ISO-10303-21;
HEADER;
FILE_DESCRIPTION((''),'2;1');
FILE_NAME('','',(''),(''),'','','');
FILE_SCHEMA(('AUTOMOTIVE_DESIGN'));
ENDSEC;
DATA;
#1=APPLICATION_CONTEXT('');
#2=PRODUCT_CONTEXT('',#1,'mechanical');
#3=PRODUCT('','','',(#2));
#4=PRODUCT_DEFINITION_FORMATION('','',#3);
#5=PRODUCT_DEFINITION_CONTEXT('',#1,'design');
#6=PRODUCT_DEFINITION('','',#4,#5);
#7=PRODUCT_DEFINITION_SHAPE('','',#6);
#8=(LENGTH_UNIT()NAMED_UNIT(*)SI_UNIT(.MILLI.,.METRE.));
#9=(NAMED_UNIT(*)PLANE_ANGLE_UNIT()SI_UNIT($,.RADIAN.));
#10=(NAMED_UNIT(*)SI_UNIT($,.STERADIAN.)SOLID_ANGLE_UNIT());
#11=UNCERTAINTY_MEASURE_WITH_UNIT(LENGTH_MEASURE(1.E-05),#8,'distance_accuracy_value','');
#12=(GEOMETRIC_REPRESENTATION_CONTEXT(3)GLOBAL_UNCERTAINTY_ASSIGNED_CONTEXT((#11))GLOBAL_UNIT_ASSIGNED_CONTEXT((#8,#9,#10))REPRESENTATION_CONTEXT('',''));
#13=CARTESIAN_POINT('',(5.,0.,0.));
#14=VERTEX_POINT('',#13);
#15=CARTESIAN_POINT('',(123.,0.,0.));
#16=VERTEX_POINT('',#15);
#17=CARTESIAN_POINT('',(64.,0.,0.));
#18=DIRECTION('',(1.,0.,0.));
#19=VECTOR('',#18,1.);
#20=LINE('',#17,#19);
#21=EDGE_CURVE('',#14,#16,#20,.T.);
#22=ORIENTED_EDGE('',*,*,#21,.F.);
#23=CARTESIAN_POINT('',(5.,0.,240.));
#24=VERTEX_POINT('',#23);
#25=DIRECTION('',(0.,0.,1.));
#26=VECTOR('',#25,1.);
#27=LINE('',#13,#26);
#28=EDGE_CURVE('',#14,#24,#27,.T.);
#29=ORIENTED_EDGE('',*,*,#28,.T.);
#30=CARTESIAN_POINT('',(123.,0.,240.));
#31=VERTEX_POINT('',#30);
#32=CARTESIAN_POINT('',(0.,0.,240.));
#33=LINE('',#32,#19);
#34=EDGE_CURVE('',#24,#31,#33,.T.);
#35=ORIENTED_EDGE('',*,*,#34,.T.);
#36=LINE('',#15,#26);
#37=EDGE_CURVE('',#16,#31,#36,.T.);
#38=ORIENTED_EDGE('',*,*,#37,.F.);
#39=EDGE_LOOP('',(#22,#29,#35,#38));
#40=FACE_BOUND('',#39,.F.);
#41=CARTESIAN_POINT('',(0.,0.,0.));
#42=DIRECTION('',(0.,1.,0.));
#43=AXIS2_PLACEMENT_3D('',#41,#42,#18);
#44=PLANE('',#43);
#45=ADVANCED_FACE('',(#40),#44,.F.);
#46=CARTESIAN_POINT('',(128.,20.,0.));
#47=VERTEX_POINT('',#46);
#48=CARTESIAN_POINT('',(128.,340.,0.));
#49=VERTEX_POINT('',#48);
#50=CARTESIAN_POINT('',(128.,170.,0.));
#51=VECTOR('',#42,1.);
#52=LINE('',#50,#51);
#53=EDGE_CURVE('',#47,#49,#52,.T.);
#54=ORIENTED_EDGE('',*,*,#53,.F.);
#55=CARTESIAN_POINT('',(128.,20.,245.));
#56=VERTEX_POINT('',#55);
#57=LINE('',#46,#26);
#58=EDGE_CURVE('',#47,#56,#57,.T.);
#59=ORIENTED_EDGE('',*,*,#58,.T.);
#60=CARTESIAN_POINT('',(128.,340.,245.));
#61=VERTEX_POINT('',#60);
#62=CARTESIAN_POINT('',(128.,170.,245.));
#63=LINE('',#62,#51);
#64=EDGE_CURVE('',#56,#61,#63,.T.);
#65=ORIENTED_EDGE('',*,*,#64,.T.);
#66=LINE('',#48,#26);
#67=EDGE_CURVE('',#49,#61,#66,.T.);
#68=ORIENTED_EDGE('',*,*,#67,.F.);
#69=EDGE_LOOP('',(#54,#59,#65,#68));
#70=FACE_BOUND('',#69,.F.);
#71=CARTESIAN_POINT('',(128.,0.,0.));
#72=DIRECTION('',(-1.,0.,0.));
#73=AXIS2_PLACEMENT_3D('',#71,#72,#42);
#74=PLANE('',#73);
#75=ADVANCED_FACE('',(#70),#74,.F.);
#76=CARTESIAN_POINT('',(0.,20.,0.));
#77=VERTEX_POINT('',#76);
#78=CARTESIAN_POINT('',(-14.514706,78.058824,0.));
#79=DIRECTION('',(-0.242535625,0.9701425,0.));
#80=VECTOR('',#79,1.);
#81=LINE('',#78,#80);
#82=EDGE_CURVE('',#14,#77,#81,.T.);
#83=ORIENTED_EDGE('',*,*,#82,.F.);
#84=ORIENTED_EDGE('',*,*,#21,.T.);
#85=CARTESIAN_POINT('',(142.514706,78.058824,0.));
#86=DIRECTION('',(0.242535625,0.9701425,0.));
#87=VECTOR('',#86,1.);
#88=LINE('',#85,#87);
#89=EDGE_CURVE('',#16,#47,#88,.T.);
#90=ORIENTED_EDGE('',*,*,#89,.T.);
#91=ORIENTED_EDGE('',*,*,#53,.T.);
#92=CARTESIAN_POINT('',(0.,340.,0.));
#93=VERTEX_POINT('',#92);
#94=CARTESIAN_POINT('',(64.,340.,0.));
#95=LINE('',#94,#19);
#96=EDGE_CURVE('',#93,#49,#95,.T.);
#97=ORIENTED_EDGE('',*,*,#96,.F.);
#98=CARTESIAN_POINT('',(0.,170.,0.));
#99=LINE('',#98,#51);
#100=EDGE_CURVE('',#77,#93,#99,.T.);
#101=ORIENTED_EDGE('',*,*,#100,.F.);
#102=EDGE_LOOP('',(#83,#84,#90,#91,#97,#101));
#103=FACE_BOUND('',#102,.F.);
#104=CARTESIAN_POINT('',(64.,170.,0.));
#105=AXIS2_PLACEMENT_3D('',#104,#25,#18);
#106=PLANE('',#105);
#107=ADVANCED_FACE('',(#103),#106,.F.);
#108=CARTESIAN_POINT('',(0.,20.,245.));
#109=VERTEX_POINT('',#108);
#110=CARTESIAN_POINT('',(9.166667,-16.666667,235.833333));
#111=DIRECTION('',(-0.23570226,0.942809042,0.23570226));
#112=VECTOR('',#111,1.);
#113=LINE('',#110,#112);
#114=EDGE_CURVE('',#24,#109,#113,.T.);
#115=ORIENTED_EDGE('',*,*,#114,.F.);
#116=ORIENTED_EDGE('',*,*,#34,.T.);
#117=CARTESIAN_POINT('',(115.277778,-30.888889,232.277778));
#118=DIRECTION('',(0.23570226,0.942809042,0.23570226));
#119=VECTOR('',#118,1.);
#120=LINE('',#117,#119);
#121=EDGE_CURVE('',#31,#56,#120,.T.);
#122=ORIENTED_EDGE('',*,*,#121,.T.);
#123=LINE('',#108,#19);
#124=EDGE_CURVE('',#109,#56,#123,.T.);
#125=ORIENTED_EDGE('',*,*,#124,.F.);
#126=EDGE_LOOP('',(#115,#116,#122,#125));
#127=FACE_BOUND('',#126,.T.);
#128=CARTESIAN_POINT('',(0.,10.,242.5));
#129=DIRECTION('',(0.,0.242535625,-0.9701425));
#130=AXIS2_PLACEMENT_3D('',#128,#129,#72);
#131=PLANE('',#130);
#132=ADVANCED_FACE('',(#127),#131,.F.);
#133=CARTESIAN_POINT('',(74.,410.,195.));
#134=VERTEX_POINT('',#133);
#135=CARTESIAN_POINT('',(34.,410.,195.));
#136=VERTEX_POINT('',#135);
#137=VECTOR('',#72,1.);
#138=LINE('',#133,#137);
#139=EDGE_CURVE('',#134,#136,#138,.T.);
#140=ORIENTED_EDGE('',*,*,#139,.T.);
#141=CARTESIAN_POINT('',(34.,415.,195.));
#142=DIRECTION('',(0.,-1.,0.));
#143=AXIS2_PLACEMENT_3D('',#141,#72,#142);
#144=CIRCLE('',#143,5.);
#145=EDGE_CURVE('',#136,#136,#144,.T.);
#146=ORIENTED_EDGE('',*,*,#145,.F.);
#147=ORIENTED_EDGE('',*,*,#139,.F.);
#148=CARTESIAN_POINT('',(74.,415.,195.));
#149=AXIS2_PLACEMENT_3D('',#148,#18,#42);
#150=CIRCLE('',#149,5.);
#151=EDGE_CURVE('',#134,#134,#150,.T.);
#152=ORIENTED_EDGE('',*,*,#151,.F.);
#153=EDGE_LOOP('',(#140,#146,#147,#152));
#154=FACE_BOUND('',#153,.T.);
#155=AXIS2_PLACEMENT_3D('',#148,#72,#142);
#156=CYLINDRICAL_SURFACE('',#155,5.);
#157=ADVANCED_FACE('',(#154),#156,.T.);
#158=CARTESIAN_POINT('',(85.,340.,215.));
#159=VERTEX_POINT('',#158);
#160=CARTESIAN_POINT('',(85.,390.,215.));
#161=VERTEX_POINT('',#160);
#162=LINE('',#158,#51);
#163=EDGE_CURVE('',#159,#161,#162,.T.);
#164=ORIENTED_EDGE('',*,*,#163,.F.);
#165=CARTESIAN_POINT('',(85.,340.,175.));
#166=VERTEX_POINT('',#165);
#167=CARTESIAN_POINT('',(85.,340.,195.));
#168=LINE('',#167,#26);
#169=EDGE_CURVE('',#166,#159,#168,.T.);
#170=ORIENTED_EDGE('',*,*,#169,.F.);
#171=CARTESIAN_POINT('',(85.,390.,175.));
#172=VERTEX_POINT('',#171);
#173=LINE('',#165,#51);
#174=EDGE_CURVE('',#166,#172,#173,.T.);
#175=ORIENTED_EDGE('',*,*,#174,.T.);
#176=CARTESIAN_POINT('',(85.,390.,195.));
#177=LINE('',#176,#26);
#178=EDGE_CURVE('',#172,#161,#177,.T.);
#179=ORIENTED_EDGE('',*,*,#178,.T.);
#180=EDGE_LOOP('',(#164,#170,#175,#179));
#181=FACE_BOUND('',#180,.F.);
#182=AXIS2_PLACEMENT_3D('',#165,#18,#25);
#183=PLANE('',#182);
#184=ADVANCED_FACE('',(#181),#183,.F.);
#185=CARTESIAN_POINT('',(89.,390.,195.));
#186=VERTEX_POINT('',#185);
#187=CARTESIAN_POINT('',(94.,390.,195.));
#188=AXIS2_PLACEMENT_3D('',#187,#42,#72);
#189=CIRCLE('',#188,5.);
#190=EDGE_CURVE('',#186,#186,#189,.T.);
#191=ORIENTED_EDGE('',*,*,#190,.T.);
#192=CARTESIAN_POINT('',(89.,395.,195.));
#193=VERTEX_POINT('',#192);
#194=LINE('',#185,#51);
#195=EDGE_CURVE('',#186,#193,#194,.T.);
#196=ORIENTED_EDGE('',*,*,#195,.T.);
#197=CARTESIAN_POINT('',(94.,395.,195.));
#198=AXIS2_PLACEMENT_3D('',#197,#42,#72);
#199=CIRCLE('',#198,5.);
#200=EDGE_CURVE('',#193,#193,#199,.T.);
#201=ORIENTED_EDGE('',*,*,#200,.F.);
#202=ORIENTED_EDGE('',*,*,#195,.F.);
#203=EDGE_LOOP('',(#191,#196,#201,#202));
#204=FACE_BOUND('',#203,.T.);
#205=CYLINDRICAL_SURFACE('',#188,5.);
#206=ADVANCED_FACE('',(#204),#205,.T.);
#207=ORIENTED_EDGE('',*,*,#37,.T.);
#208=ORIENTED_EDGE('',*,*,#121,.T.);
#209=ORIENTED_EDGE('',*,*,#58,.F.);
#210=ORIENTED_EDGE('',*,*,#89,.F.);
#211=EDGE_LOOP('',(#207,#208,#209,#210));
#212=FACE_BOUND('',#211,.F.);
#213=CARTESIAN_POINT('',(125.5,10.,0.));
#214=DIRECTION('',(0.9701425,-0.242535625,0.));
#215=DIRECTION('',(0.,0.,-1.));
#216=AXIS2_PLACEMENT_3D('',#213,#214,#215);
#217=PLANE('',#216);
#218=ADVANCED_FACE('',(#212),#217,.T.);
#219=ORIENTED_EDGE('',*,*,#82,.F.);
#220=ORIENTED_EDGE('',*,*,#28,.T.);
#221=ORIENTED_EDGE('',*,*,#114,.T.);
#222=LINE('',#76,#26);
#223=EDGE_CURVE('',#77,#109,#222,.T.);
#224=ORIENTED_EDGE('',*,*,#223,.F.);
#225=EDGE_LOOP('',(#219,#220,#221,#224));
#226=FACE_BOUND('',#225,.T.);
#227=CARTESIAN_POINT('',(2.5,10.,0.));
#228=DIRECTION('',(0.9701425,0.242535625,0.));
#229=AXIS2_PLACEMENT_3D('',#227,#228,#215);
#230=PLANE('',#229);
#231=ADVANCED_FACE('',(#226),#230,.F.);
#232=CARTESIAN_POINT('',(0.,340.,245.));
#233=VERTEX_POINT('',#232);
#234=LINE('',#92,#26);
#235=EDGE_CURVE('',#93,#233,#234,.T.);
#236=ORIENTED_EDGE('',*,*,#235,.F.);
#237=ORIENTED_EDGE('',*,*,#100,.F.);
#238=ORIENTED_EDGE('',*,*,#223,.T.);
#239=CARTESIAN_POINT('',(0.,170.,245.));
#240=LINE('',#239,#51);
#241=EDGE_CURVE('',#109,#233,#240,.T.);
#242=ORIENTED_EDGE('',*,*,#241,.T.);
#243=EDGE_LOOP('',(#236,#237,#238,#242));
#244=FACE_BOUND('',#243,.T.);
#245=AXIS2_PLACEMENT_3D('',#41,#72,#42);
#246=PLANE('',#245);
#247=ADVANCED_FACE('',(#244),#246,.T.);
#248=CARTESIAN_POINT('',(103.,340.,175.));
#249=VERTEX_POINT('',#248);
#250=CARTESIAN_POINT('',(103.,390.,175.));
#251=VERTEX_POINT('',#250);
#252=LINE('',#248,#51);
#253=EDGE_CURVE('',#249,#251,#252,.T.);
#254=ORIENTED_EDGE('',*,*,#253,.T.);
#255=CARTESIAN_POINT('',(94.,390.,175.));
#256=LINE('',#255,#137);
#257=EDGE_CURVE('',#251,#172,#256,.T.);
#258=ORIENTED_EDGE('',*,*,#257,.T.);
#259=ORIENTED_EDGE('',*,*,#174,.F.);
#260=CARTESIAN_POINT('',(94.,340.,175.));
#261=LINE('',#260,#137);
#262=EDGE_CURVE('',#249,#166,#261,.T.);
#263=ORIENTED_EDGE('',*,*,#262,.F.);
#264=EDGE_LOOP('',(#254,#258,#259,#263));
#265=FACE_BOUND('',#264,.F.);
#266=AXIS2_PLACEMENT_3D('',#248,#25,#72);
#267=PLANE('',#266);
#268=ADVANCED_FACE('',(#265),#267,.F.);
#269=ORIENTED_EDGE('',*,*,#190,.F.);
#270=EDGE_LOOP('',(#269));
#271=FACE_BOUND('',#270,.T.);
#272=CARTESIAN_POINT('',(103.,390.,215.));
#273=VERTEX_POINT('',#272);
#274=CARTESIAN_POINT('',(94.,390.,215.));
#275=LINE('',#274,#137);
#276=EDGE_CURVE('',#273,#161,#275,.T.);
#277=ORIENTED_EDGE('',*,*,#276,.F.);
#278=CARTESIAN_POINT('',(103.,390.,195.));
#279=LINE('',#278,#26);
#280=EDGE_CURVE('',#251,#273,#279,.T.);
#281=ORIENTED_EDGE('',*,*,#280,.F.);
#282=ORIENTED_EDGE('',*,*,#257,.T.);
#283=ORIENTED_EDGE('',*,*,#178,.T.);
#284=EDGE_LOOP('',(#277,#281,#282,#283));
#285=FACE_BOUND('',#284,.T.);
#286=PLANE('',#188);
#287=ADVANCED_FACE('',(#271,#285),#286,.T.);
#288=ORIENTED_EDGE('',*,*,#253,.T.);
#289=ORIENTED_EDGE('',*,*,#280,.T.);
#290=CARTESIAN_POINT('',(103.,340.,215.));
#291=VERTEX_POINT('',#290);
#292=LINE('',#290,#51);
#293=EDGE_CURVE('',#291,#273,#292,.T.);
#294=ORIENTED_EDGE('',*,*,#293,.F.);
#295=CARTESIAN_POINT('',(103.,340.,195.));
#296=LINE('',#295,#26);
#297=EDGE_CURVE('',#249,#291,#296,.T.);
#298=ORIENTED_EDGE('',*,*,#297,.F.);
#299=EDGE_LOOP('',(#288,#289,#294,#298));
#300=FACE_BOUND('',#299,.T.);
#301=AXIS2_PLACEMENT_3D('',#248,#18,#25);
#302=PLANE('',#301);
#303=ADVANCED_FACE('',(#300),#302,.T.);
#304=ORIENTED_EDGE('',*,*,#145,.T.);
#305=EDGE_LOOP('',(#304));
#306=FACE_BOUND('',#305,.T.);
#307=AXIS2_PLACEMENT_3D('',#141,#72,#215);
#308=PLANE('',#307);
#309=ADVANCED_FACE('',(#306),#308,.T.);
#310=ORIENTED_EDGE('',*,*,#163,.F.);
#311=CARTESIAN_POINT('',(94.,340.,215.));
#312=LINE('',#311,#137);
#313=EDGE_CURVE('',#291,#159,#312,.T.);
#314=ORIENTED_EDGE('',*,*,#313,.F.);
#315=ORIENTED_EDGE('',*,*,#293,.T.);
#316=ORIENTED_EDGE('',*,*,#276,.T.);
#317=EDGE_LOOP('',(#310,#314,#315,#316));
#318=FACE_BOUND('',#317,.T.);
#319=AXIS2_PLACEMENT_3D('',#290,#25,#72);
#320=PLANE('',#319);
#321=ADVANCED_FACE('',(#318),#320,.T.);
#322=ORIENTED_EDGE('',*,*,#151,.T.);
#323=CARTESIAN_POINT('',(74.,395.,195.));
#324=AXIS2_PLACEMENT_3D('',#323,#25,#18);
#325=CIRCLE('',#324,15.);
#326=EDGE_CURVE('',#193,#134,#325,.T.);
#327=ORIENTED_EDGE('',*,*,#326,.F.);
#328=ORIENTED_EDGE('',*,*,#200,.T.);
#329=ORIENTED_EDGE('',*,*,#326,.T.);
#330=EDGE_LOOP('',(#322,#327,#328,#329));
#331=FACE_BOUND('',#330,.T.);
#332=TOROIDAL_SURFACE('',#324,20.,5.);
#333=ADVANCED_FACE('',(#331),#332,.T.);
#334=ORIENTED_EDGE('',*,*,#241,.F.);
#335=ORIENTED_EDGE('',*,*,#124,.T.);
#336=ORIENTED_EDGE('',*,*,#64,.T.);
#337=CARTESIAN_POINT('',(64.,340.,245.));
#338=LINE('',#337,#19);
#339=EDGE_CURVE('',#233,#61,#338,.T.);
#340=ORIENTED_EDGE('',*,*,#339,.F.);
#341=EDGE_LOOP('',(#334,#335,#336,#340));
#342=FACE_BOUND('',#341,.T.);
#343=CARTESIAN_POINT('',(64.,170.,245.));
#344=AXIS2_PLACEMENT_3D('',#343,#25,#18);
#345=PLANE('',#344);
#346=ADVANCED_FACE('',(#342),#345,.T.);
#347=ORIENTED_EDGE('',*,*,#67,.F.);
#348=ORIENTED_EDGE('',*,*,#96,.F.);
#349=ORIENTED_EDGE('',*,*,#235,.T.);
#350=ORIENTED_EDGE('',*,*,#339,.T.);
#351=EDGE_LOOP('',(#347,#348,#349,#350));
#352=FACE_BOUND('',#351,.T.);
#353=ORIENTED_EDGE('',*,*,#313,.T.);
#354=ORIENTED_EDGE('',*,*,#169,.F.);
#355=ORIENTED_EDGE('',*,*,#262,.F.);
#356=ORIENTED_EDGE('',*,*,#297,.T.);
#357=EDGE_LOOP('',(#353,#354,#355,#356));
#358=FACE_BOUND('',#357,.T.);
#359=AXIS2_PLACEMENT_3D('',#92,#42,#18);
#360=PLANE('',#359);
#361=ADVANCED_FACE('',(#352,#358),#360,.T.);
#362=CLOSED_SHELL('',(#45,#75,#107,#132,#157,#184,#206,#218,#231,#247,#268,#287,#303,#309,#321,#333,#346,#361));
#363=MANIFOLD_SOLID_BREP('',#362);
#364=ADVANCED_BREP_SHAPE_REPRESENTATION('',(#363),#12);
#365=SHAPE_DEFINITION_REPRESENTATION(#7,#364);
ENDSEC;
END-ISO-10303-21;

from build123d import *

# Parameters (mm, degrees)
F0_W     = 128
F0_H     = 340
F1_DEPTH = 245
F2_SIZE2 = 20
F2_SIZE  = 5
F3_W     = 18
F3_H     = 40
F4_DEPTH = 50
F7_R     = 5


with BuildPart() as f1:
    # F0 (on Top) → F1 (new body)
    with BuildSketch(Plane.XY):
        with Locations((64, 170)):
            Rectangle(F0_W, F0_H)
    extrude(amount=F1_DEPTH)

    # F2
    f2_edges = [f1.edges().sort_by_distance(p)[0] for p in [
        (128, 0, 122.5),
        (0, 0, 122.5),
        (64, 0, 245),
    ]]
    f2_side = f1.faces().sort_by_distance((64, 0, 122.5))[0]
    chamfer(f2_edges, length=F2_SIZE, length2=F2_SIZE2, reference=f2_side)

    # F3 (on face) → F4 (join)
    with BuildSketch(Plane(origin=(0, 340, 0), x_dir=(-1, 0, 0), z_dir=(0, 1, 0))):
        with Locations((-94, 195)):
            Rectangle(F3_W, F3_H)
    extrude(amount=F4_DEPTH)

    # F8: sweep along a path in F6
    with BuildLine(Plane.XY.offset(195)) as f8_path:
        Line((94, 390), (94, 395))
        ThreePointArc((94, 395), (88.1421356237, 409.1421356237), (74, 415))
        Line((74, 415), (34, 415))
    # F7 (on face) → F8 (sweep)
    with BuildSketch(Plane(origin=(0, 390, 0), x_dir=(-1, 0, 0), z_dir=(0, 1, 0))):
        with Locations((-94, 195)):
            Circle(F7_R)
    sweep(path=f8_path.line)


solid = f1.part
